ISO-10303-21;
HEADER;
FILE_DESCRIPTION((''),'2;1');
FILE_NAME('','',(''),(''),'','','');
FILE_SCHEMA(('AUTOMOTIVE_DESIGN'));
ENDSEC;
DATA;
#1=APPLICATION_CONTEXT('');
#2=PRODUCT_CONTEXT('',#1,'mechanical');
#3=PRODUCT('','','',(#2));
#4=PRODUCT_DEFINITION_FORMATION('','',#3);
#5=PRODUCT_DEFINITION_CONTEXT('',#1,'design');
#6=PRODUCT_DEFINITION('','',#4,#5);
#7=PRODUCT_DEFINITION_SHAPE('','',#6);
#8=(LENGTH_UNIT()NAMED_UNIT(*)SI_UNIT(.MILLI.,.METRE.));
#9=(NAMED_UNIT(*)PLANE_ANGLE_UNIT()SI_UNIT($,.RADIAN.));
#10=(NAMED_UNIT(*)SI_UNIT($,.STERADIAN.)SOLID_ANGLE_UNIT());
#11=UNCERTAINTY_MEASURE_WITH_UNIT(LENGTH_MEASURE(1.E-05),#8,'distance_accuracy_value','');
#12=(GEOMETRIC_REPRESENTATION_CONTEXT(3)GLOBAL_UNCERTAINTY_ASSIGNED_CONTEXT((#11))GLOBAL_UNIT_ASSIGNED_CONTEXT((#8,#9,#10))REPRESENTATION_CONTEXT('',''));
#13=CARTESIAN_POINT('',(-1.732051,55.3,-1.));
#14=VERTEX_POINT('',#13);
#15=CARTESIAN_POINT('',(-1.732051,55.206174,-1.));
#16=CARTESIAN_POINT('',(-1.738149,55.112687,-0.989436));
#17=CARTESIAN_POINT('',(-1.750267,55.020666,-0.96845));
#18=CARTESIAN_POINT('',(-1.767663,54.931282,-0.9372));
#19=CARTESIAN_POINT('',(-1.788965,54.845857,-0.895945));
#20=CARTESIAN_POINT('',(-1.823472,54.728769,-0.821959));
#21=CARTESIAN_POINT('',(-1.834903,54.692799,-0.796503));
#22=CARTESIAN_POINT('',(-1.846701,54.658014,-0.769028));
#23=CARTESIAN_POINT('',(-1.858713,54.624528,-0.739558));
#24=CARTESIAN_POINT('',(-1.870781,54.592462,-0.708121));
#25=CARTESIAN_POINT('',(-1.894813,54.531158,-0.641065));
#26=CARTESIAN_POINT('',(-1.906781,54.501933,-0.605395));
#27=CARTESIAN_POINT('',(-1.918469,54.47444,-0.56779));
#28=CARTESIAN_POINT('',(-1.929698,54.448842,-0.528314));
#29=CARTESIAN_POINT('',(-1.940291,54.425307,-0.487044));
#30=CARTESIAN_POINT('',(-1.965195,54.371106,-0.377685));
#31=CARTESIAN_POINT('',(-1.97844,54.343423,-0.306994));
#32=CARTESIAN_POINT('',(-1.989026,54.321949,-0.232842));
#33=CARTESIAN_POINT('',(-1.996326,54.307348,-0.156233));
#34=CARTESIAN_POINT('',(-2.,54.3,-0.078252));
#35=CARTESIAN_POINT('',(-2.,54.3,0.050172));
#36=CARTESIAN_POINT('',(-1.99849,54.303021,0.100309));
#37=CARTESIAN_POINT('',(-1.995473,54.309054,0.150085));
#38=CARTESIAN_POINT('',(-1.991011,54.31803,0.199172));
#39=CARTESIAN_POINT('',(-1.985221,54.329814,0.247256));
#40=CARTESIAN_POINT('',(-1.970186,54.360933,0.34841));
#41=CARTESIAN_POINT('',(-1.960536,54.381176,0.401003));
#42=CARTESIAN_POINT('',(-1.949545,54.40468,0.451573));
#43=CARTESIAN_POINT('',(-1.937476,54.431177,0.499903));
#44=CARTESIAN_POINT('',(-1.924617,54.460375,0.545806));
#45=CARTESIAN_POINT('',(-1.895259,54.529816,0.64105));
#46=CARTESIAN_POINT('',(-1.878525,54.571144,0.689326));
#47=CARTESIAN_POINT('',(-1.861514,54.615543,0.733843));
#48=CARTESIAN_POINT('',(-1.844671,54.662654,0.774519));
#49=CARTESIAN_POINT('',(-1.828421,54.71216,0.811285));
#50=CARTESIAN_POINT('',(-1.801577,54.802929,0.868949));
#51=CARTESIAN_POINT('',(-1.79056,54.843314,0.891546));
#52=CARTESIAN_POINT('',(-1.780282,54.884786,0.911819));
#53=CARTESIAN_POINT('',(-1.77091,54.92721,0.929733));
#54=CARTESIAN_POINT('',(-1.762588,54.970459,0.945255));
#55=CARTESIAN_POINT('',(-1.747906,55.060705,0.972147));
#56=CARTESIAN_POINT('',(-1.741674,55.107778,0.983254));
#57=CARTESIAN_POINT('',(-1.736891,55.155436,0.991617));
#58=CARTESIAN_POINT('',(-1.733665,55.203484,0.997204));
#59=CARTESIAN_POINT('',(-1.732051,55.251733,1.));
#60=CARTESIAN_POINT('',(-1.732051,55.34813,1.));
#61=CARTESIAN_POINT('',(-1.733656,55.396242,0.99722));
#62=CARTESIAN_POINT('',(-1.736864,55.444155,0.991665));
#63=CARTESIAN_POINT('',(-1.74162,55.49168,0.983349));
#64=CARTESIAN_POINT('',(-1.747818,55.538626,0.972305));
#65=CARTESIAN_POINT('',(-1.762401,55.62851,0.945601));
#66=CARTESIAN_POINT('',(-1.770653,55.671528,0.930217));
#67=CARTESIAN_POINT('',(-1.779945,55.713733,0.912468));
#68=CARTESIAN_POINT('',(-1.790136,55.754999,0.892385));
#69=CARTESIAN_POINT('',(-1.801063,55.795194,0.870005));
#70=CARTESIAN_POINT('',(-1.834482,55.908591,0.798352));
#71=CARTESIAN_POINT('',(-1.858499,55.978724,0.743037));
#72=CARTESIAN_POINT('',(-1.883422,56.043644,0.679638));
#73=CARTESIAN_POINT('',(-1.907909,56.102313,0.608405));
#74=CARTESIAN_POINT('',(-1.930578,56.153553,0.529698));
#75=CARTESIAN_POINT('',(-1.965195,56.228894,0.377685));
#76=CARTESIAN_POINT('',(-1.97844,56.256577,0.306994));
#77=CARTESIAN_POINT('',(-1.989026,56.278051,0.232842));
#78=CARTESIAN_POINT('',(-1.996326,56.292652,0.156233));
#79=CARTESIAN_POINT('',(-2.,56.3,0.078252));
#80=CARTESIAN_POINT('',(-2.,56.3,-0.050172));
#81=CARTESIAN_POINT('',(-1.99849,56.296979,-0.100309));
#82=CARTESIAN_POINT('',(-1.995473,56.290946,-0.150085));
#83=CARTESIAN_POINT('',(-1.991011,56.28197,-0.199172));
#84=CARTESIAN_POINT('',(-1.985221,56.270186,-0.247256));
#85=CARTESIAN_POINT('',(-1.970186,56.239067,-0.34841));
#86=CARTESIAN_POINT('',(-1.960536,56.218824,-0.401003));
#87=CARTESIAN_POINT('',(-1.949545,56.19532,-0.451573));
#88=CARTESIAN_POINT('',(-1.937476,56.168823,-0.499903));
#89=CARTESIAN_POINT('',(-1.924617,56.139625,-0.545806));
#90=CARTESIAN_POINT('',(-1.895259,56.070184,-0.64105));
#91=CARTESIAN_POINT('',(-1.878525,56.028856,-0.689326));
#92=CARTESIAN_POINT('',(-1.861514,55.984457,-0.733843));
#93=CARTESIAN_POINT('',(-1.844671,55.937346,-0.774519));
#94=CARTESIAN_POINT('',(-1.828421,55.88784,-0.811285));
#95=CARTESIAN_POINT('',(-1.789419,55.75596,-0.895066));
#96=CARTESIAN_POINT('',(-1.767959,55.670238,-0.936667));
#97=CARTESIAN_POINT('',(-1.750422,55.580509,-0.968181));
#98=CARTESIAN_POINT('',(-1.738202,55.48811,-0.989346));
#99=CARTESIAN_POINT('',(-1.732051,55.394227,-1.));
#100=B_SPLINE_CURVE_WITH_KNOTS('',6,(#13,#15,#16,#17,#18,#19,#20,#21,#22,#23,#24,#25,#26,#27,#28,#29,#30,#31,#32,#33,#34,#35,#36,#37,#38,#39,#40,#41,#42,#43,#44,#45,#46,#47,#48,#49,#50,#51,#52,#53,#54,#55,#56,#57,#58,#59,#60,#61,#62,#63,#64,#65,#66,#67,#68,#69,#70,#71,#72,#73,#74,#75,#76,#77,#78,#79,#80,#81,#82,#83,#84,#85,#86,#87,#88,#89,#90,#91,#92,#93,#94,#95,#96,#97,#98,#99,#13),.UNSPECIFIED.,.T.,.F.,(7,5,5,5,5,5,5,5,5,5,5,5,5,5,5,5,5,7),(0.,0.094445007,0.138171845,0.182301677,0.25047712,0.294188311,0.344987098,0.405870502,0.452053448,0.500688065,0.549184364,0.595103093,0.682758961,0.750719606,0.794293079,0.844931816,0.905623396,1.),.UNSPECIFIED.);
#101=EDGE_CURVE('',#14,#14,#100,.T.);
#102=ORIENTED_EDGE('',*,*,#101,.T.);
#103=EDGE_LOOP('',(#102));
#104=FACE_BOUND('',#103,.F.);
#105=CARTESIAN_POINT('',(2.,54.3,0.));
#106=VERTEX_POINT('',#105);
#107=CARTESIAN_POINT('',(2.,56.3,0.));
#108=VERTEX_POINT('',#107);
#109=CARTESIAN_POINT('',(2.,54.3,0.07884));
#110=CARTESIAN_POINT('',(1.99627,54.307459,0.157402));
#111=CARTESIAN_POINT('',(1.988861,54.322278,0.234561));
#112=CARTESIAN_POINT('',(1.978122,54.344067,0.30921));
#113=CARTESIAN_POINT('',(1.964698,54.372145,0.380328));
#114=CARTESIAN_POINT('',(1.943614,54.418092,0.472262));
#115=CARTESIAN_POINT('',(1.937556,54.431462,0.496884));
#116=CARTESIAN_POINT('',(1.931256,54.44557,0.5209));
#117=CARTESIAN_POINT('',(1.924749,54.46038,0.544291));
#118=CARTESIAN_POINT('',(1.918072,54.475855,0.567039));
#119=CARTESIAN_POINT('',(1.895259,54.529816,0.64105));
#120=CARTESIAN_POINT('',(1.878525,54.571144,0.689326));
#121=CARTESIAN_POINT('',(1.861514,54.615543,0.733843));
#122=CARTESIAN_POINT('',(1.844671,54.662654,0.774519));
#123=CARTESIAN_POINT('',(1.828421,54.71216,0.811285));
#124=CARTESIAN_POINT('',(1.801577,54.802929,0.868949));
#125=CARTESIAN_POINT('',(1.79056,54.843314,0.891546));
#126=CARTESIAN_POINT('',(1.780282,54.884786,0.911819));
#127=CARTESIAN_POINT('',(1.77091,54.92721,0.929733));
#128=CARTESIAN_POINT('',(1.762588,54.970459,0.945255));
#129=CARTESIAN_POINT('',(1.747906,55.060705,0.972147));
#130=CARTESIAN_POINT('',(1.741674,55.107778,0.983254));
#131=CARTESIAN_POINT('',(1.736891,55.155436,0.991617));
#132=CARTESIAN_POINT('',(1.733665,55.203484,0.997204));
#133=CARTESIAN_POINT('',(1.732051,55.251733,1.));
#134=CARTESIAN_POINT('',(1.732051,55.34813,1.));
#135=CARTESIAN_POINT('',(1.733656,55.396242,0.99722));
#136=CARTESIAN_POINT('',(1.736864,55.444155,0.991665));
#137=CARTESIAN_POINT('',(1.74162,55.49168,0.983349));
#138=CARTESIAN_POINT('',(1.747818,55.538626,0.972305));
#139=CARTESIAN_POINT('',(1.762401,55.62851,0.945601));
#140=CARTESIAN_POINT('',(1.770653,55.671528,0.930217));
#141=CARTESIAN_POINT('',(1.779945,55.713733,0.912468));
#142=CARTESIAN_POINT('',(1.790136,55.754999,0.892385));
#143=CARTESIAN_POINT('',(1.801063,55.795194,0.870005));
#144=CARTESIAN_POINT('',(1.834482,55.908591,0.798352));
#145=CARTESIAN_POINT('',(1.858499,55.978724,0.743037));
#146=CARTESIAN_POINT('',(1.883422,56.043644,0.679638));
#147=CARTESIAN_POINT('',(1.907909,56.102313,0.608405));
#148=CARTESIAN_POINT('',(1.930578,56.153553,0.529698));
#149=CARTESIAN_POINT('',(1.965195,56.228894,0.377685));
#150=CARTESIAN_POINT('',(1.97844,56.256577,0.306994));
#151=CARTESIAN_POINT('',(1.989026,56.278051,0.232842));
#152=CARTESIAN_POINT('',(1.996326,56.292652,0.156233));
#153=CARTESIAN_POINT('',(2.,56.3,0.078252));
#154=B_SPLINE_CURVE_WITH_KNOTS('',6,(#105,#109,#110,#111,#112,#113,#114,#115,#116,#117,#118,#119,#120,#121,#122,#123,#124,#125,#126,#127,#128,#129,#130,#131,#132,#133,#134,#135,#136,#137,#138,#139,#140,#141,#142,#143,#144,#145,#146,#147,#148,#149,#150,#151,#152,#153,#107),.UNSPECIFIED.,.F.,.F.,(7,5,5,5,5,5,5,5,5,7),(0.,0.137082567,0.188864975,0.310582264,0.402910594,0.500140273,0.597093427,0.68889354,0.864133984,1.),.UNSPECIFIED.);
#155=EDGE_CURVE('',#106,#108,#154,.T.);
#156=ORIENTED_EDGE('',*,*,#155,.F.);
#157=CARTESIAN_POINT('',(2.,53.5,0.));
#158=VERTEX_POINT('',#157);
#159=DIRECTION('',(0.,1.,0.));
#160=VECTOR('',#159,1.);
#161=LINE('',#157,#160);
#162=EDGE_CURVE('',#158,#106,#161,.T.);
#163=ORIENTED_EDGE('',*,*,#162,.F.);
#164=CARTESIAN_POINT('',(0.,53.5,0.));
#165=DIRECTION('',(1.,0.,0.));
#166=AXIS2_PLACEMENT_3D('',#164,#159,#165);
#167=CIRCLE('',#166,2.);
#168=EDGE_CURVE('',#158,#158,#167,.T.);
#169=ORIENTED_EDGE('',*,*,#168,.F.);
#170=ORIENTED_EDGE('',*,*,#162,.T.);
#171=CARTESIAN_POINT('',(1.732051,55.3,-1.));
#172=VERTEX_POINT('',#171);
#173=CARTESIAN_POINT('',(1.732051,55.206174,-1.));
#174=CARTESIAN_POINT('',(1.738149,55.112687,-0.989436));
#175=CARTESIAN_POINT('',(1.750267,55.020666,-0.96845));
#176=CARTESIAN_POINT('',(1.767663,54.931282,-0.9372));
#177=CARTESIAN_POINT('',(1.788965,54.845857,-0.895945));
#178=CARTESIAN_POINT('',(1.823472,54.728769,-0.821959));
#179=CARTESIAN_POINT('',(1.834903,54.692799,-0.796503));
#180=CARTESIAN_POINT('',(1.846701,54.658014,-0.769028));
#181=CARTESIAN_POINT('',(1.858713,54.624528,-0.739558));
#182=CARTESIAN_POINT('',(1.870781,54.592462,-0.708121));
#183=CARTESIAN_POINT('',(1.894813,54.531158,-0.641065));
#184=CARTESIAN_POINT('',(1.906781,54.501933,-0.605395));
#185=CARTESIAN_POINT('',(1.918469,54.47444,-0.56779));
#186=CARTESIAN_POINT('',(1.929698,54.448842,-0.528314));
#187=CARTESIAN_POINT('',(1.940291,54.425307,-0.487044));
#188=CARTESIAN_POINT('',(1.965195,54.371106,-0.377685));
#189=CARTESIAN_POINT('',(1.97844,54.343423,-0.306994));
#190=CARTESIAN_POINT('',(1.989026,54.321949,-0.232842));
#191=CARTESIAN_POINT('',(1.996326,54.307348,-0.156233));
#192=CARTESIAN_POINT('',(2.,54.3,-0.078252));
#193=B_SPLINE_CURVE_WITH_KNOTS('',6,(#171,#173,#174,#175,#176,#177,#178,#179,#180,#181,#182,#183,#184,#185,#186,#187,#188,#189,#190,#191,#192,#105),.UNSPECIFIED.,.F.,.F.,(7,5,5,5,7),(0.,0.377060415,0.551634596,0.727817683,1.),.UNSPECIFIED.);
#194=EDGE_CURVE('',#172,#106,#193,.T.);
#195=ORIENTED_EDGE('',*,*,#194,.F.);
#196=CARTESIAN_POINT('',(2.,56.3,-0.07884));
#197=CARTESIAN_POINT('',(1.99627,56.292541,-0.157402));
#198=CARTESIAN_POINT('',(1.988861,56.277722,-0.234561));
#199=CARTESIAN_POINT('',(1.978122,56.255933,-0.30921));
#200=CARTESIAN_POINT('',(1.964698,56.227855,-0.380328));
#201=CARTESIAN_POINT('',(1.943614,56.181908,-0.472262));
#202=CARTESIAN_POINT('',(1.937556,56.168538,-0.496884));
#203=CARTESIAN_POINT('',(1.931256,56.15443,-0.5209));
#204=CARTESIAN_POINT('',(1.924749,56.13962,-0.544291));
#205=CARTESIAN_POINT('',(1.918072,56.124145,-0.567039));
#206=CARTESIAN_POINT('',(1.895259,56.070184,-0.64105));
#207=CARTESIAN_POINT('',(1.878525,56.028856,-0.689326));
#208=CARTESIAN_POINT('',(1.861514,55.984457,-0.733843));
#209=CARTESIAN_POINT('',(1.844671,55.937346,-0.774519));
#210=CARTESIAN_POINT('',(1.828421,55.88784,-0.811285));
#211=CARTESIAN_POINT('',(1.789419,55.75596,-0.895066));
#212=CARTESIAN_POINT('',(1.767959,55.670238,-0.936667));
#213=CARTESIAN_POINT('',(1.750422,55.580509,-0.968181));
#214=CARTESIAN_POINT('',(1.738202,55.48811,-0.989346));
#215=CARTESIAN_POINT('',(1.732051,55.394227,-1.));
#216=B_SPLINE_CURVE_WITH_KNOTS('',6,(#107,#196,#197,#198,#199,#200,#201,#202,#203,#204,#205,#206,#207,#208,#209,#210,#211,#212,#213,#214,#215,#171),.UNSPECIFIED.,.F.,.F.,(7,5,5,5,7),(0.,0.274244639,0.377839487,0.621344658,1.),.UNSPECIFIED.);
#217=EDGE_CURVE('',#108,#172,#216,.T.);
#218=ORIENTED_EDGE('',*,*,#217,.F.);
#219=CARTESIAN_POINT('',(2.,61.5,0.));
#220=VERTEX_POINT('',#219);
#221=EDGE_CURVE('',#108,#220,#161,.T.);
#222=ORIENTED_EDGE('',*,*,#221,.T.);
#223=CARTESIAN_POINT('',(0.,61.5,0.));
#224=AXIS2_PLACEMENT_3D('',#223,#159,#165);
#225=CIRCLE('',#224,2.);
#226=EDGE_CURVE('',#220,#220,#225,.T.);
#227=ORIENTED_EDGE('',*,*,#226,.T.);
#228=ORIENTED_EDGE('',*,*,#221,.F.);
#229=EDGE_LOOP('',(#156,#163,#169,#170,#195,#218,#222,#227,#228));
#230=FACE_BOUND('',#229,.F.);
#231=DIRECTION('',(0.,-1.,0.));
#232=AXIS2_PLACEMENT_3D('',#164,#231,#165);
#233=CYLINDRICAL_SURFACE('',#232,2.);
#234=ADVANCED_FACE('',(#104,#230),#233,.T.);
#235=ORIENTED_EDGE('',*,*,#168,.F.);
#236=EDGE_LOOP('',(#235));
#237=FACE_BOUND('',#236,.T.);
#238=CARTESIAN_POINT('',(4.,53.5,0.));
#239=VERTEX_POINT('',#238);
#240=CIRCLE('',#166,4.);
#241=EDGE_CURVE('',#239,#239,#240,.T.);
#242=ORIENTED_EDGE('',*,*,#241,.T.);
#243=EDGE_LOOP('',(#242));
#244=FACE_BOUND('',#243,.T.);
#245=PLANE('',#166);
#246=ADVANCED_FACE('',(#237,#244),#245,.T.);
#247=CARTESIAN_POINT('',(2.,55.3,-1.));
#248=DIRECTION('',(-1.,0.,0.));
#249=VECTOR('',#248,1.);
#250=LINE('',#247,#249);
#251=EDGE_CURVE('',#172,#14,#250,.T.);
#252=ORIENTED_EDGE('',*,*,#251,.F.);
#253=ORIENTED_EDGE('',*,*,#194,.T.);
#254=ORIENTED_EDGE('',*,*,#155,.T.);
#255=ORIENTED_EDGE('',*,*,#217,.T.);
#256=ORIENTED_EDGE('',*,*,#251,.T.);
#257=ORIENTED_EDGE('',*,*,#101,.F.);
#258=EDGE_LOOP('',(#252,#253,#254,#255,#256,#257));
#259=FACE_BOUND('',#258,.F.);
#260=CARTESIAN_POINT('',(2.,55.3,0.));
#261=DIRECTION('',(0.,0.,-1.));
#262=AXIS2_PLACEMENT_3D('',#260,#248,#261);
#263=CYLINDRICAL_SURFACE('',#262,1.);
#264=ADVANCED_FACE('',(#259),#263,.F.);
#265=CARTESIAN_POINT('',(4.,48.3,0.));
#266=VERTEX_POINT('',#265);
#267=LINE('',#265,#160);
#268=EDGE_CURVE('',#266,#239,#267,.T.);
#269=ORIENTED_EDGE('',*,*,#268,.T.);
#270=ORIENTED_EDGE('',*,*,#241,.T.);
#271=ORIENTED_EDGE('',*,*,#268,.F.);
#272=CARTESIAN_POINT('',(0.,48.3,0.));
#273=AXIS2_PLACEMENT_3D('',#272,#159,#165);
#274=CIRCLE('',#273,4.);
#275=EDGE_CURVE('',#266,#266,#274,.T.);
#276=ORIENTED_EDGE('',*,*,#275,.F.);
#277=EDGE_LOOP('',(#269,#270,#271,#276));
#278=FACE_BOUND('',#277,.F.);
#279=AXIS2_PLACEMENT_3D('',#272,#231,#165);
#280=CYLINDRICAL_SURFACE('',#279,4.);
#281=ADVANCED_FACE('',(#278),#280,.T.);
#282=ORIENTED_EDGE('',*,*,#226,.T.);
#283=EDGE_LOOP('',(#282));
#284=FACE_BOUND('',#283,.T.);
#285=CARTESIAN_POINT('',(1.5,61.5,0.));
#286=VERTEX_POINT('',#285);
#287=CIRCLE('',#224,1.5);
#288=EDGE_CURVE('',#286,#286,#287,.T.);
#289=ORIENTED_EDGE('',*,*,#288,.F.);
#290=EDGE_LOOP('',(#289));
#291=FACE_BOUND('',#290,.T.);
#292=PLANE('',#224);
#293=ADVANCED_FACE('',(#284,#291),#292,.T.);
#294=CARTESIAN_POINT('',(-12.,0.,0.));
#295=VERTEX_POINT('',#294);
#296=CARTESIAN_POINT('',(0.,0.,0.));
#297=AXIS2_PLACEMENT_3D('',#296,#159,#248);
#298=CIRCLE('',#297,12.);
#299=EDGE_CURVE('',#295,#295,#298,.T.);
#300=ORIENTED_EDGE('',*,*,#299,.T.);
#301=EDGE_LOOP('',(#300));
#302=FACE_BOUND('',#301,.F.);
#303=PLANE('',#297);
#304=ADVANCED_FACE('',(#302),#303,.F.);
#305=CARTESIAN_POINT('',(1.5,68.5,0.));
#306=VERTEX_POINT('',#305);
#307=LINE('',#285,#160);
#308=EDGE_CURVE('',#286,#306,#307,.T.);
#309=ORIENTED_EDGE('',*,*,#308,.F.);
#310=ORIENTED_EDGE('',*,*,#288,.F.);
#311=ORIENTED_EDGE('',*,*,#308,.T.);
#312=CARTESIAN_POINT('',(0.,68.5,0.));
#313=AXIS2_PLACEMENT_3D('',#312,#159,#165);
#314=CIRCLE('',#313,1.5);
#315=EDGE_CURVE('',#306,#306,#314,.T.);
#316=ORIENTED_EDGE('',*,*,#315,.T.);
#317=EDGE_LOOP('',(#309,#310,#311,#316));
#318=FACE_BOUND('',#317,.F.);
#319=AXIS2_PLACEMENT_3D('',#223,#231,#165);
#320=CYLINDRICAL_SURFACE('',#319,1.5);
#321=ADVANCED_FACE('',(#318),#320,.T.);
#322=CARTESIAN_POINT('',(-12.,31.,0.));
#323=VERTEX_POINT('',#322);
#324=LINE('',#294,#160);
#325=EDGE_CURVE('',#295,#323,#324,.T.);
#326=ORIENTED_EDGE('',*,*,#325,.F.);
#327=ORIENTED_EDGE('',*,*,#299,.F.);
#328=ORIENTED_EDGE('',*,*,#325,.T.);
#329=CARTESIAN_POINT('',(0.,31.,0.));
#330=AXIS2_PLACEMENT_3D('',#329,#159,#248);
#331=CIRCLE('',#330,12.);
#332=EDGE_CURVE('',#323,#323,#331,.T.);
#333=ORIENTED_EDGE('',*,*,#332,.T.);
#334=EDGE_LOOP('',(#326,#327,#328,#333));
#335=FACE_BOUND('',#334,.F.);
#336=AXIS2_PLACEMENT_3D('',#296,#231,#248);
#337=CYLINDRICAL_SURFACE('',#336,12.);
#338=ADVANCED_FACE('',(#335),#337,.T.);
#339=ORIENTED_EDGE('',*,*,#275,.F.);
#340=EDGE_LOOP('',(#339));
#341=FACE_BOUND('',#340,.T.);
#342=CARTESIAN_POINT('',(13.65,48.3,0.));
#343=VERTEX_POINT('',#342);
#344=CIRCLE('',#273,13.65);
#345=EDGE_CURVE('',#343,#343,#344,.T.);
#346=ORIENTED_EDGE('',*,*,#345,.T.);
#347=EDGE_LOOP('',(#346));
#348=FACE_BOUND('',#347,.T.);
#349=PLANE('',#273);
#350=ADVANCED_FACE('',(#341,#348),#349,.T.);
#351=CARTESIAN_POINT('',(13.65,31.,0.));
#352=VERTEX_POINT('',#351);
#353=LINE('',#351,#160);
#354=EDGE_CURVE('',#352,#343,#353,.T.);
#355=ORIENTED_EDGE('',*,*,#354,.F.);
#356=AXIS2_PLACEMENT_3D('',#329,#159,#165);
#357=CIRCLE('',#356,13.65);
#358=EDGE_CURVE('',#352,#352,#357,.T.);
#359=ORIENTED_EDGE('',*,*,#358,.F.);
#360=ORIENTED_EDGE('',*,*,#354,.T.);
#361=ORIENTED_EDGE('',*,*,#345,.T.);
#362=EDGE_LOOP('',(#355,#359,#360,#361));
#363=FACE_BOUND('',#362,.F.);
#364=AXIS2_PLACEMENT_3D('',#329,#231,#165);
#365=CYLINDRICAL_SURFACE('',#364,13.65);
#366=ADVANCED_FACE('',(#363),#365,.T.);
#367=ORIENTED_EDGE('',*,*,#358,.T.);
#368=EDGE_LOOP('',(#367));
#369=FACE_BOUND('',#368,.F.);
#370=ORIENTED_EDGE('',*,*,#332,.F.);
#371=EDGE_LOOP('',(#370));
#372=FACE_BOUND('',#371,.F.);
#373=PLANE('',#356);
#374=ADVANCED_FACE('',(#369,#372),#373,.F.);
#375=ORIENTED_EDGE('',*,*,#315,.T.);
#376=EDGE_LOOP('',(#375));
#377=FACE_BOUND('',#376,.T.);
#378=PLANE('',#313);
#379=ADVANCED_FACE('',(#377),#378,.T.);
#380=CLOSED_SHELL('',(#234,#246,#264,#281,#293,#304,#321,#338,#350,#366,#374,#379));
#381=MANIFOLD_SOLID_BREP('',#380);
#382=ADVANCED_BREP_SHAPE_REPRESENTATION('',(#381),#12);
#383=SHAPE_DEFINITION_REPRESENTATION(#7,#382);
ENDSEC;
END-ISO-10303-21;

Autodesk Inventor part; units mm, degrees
ref_plane "YZ Plane" through (0, 0, 0) normal (1, 0, 0) x (0, 1, 0)
ref_plane "XZ Plane" through (0, 0, 0) normal (0, 1, 0) x (-1, 0, 0)
ref_plane "XY Plane" through (0, 0, 0) normal (0, 0, 1) x (1, 0, 0)
sketch "スケッチ8" plane through (0, 0, 0) normal (0, 1, 0) x (-1, 0, 0)
  circle A0 centre (0, 0) radius 12
  dimension "d29" = 24
extrude "押し出し6" add sketch "スケッチ8" along normal blind 31
ref_plane "作業平面4" through (0, 31, 0) normal (0, 1, 0) x (1, 0, 0)
sketch "スケッチ9" plane through (0, 31, 0) normal (0, 1, 0) x (1, 0, 0)
  circle A0 centre (0, 0) radius 13.65
  dimension "d33" = 27.3
extrude "押し出し7" add sketch "スケッチ9" along normal blind 17.3
ref_plane "作業平面5" through (0, 48.3, 0) normal (0, 1, 0) x (1, 0, 0)
sketch "スケッチ10" plane through (0, 48.3, 0) normal (0, 1, 0) x (1, 0, 0)
  circle A0 centre (0, 0) radius 4
  dimension "d37" = 8
extrude "押し出し8" add sketch "スケッチ10" along normal blind 5.2
ref_plane "作業平面6" through (0, 53.5, 0) normal (0, 1, 0) x (1, 0, 0)
sketch "スケッチ11" plane through (0, 53.5, 0) normal (0, 1, 0) x (1, 0, 0)
  circle A0 centre (0, 0) radius 2
  dimension "d41" = 4
extrude "押し出し9" add sketch "スケッチ11" along normal blind 8
ref_plane "作業平面7" through (0, 61.5, 0) normal (0, 1, 0) x (1, 0, 0)
sketch "スケッチ12" plane through (0, 61.5, 0) normal (0, 1, 0) x (1, 0, 0)
  circle A0 centre (0, 0) radius 1.5
  dimension "d45" = 3
extrude "押し出し10" add sketch "スケッチ12" along normal blind 7
sketch "スケッチ13" plane through (0, 61.5, 0) normal (0, 1, 0) x (1, 0, 0)
  circle A0 centre (0, 0) radius 2 projected
  point P0 (2, 0)
ref_plane "作業平面8" through (2, 61.5, 0) normal (1, 0, 0) x (0, 1, 0)
sketch "スケッチ14" plane through (2, 61.5, 0) normal (1, 0, 0) x (0, 1, 0)
  circle A0 centre (-6.2, 0) radius 1
  line L0 (0, -2) -> (0, 2) projected
  point P0 (-61.5, 0)
  dimension "d48" = 2
  dimension "d49" = 6.2
hole "穴2" at (2, 55.3, 0) direction (-1, 0, 0) diameter 2 end through all
properties part number "daisen_motor"
